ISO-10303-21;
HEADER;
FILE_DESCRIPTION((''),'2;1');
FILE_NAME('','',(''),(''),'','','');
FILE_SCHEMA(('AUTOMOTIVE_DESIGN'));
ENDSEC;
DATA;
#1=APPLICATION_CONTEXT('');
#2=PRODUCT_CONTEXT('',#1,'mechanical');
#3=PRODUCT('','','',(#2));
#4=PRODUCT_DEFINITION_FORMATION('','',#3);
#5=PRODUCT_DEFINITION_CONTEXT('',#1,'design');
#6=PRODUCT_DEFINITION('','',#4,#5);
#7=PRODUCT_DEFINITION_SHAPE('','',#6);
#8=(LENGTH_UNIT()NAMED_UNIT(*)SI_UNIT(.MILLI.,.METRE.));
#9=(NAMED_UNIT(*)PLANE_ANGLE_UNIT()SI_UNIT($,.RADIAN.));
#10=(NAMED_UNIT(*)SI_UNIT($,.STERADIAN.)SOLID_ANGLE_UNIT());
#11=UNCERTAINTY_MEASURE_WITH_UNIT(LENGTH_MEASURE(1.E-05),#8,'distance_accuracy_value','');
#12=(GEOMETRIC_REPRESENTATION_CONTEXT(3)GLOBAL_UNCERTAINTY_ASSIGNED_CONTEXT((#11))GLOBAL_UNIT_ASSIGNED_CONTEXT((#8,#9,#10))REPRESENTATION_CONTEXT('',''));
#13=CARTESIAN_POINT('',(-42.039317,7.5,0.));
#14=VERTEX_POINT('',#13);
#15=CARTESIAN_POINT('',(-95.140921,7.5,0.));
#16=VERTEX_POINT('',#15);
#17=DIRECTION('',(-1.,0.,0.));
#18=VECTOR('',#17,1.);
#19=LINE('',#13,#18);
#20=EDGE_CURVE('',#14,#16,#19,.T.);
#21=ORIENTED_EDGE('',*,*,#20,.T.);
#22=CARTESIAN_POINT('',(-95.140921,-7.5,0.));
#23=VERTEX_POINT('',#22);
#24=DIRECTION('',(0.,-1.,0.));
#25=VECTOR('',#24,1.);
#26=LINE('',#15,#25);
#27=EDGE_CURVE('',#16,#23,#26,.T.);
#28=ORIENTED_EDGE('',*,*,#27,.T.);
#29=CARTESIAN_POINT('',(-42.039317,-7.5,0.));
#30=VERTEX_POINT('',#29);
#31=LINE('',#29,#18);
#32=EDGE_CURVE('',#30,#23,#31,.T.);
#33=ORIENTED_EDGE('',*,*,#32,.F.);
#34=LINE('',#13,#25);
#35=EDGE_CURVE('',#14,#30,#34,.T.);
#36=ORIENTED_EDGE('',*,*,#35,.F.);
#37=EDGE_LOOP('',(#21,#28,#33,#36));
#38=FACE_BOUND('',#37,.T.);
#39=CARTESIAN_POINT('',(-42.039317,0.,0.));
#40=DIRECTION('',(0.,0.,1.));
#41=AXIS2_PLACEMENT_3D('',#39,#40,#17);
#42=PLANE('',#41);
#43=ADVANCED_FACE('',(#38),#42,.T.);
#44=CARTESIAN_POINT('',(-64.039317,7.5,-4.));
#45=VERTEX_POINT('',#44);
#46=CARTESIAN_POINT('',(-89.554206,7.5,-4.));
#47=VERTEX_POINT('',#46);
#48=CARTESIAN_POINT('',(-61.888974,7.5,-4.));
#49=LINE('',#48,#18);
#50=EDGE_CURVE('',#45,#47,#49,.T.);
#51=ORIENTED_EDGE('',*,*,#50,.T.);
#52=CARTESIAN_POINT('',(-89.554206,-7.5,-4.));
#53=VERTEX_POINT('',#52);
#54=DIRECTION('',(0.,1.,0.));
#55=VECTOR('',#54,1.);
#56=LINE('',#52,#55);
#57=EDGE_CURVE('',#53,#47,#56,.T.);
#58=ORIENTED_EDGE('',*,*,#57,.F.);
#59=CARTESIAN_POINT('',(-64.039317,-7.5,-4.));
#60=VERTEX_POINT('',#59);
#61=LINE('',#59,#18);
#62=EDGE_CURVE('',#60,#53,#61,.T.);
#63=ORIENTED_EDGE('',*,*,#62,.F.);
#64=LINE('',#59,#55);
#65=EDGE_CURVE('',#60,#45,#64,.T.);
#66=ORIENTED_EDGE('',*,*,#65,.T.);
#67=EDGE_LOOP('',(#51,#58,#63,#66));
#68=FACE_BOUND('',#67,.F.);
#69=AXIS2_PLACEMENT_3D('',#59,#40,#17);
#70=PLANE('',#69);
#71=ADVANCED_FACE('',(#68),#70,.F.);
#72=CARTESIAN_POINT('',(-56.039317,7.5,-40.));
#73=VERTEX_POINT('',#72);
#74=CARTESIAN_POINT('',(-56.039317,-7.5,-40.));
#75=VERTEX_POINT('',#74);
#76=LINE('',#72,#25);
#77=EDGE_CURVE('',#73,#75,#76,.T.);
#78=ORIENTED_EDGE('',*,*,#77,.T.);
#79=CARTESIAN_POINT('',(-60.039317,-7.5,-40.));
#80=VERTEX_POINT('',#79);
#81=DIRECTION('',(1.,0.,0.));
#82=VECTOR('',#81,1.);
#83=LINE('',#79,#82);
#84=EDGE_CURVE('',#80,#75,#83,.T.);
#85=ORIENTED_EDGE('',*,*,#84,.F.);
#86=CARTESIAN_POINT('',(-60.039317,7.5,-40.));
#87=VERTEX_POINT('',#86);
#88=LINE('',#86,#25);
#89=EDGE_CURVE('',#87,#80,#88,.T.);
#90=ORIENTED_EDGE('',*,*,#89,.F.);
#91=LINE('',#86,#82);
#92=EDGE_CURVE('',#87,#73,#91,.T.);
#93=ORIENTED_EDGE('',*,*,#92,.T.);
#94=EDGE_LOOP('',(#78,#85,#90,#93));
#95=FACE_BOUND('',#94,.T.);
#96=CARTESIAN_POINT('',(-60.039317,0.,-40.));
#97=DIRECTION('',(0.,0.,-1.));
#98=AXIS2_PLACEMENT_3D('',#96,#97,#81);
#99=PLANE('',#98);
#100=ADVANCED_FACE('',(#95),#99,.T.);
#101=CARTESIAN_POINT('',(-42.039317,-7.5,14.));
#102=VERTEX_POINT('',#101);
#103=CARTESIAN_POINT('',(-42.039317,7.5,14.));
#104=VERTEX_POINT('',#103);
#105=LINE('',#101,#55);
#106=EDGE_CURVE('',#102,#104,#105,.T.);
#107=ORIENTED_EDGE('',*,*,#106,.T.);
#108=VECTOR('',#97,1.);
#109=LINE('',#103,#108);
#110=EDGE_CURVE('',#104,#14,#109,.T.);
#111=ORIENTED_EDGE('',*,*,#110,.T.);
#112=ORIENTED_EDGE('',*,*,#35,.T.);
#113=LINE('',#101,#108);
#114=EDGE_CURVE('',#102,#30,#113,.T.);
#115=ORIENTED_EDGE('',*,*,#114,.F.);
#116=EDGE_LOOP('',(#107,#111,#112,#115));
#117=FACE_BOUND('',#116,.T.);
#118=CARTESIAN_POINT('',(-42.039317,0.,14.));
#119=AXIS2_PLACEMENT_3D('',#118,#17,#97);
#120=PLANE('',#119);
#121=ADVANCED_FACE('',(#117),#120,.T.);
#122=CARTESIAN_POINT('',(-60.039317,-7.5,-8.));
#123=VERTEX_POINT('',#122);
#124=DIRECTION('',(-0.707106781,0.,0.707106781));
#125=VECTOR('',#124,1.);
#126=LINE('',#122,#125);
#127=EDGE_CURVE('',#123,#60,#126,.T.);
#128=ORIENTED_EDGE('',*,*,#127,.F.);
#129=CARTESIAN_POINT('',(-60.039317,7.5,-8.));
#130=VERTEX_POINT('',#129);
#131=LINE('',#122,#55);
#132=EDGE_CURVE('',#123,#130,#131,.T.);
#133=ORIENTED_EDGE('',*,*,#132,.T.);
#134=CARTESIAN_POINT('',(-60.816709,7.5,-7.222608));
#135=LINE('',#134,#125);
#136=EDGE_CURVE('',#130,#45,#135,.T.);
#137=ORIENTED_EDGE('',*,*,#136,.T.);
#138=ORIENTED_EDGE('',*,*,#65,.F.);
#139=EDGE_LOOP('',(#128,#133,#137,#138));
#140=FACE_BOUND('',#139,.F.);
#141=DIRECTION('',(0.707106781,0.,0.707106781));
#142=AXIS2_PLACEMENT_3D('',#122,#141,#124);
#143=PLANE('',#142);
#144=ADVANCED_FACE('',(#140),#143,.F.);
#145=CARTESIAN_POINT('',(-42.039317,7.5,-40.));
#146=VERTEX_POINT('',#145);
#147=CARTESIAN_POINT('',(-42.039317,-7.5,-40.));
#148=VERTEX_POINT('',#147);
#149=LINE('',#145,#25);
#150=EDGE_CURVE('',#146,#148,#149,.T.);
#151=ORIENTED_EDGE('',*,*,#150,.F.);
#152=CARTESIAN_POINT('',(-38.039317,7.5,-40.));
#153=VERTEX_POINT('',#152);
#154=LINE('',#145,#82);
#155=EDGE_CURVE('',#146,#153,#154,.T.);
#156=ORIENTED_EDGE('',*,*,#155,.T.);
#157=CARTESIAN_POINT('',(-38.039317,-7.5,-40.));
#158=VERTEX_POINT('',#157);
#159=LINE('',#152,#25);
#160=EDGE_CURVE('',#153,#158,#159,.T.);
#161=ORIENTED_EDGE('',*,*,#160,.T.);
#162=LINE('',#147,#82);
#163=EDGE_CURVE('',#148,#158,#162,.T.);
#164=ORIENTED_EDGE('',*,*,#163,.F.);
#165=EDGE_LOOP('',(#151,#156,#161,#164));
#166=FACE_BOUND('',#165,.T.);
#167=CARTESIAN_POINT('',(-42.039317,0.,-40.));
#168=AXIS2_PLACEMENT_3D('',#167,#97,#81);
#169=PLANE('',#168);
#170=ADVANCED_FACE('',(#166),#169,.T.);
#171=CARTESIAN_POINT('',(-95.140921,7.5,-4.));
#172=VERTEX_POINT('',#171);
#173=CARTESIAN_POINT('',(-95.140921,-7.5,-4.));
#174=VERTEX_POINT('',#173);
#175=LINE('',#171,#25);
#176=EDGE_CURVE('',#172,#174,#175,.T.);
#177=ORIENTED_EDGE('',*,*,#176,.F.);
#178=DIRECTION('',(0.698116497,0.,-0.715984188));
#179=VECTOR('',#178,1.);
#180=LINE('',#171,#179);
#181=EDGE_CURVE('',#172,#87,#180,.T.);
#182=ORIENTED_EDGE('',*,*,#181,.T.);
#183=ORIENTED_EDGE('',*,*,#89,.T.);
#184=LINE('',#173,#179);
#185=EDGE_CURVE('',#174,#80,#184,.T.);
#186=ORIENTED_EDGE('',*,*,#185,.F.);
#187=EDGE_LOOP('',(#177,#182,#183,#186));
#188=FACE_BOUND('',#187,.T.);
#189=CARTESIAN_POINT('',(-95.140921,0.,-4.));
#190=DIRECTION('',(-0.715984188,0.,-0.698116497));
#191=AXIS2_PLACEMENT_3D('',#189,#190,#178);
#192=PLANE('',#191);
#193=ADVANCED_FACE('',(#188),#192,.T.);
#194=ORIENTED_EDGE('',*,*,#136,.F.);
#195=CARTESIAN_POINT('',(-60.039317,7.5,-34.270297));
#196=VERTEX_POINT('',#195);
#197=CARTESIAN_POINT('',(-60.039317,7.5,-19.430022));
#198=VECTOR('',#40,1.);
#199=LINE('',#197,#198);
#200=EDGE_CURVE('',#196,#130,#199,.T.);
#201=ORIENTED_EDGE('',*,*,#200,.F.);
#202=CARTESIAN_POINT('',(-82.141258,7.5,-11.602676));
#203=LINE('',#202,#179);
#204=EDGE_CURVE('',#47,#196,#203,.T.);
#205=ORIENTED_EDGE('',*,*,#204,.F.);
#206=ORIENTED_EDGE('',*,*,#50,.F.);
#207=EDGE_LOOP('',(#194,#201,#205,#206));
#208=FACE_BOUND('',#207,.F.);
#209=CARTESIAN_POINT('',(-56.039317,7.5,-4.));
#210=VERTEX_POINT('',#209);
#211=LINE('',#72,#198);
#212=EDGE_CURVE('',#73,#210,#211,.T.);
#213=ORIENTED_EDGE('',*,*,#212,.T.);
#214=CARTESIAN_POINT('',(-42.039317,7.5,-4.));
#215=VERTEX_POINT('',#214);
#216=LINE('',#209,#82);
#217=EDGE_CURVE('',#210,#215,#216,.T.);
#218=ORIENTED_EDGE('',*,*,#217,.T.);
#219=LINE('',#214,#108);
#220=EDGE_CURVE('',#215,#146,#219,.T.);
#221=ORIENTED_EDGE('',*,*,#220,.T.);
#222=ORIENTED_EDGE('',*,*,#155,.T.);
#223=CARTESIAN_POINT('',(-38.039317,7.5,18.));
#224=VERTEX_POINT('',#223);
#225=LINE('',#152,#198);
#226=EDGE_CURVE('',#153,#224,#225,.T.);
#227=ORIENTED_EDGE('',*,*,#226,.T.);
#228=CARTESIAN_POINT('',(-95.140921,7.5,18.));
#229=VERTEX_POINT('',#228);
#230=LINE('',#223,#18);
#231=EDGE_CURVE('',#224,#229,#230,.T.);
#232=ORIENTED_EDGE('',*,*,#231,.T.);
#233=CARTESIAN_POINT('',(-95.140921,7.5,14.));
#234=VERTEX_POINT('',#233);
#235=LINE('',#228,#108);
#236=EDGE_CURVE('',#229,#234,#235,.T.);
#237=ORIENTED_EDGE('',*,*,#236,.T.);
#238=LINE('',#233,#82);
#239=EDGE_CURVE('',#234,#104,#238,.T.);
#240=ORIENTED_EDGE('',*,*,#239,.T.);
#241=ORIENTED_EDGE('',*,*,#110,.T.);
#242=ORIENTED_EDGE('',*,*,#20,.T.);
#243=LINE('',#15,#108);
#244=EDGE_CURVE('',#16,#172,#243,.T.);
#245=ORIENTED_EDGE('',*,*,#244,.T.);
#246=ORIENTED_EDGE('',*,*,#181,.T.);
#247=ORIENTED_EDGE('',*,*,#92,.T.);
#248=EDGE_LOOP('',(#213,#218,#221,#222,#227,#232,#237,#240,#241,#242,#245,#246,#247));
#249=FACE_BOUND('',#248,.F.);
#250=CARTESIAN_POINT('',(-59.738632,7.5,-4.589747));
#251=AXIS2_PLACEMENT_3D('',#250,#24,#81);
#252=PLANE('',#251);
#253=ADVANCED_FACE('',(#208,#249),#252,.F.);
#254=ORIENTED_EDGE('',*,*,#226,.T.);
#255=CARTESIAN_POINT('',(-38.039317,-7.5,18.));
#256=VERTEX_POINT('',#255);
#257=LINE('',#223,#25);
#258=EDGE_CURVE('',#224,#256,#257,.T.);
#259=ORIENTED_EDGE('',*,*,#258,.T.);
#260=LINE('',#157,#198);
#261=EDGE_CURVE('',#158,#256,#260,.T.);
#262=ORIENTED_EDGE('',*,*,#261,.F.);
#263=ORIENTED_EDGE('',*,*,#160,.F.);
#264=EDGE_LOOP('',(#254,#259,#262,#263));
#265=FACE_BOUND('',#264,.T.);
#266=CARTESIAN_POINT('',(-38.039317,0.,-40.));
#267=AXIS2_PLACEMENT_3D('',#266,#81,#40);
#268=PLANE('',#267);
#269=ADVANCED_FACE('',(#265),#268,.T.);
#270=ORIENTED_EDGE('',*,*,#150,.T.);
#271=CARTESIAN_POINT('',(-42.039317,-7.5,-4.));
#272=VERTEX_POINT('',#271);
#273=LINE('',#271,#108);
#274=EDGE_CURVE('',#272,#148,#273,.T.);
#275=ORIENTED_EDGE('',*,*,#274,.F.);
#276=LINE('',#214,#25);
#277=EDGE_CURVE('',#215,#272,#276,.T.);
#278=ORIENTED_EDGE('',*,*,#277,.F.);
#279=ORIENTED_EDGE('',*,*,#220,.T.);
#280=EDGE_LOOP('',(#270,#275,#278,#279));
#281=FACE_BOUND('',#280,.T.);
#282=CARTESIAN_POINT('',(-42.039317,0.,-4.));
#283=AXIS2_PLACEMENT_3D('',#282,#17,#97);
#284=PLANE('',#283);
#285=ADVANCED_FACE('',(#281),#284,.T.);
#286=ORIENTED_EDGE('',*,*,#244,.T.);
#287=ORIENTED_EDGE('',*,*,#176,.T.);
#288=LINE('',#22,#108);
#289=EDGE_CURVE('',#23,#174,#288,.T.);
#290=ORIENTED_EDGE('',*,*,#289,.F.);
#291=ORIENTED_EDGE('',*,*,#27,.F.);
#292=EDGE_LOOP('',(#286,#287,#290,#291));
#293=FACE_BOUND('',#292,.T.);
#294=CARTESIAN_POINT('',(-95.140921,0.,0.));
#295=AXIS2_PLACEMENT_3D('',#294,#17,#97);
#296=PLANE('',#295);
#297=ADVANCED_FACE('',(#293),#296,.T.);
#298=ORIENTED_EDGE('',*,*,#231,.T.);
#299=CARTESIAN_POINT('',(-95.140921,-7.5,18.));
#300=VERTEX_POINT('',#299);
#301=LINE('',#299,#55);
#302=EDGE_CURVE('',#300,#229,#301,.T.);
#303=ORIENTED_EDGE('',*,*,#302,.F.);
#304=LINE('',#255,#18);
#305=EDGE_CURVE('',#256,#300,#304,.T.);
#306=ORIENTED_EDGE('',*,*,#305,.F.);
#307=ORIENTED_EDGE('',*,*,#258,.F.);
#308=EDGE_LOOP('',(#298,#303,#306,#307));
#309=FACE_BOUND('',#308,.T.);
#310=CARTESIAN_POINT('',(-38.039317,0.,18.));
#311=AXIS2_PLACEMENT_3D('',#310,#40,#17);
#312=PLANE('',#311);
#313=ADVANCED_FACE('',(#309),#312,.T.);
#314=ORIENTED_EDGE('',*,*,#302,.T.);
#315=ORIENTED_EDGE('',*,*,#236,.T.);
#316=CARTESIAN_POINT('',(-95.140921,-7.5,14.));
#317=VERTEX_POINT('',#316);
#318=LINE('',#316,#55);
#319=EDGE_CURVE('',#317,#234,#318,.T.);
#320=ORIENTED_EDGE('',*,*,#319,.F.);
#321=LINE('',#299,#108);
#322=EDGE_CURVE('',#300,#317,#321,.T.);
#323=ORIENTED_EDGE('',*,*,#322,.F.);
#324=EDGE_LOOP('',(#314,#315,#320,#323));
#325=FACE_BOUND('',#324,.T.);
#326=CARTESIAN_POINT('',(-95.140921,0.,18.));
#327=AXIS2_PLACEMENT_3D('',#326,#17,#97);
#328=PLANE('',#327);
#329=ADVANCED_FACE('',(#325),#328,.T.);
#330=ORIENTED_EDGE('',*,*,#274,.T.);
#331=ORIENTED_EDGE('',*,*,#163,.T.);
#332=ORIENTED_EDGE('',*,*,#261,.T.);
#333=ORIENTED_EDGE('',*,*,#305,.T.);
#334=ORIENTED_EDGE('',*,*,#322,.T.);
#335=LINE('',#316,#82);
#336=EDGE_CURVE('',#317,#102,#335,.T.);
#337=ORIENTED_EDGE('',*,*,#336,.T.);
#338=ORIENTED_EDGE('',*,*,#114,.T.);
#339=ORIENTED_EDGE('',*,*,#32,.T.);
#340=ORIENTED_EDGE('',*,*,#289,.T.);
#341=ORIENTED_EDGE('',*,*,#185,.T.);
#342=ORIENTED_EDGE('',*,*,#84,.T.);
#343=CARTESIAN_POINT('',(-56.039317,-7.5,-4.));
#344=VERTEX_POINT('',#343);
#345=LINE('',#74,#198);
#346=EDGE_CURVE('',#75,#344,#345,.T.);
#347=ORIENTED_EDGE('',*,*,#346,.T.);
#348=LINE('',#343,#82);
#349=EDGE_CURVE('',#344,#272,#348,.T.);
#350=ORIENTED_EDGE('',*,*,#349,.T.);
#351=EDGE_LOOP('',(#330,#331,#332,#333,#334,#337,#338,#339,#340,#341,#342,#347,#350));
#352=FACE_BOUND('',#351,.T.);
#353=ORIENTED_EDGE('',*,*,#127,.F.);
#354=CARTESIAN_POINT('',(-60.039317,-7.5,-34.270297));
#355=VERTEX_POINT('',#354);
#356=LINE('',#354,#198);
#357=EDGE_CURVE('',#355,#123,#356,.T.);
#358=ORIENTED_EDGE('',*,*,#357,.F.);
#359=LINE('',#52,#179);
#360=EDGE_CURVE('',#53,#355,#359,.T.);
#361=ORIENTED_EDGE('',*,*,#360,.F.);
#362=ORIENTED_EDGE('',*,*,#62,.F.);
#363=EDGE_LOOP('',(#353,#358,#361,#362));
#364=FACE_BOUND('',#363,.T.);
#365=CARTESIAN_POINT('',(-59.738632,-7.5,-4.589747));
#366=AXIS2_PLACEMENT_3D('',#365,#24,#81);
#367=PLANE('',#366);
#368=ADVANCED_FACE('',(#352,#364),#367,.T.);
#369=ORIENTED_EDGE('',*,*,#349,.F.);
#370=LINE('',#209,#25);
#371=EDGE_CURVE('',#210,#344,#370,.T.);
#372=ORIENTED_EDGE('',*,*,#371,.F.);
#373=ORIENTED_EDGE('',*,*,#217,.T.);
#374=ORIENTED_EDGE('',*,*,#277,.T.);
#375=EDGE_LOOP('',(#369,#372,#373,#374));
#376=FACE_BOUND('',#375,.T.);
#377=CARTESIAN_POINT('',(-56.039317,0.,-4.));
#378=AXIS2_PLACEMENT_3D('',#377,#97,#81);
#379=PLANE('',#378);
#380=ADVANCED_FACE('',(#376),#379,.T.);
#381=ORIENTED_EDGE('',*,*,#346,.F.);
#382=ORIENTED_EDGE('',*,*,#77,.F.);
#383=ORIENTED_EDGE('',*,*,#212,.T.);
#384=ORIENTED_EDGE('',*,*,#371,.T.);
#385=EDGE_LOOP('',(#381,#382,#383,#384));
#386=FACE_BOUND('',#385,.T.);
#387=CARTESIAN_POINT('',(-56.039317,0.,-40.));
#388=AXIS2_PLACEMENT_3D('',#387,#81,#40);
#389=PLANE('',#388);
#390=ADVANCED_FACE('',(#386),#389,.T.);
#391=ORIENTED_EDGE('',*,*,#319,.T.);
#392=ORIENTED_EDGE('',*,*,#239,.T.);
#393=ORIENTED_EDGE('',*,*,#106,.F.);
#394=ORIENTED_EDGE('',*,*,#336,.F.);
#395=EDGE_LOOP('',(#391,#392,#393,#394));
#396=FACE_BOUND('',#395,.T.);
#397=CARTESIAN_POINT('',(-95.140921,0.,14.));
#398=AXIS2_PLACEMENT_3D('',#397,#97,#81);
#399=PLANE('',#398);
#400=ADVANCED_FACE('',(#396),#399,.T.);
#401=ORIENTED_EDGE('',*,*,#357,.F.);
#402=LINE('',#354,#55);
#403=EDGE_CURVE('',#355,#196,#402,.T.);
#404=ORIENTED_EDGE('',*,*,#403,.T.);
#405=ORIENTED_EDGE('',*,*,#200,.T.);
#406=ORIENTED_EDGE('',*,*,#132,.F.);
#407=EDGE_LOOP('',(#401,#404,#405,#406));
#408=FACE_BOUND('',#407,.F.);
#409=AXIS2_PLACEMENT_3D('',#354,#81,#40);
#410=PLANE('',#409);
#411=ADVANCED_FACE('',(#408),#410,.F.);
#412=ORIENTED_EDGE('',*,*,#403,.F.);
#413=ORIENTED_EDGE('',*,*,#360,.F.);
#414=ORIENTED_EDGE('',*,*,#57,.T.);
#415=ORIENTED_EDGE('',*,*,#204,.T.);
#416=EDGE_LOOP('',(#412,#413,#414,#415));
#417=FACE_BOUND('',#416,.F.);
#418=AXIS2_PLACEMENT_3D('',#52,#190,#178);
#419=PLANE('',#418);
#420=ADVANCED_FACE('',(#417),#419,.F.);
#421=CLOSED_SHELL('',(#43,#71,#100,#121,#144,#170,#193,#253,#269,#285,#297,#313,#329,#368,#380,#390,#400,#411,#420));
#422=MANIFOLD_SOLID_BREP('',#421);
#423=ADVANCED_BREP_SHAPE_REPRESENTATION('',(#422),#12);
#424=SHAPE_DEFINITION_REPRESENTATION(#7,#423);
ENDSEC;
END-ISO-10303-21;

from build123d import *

# Parameters (mm, degrees)
F1_DEPTH = 7.5
F3_DEPTH = 15.001


with BuildPart() as f1:
    # F0 (on Front) → F1 (new body, symmetric)
    with BuildSketch(Plane.XZ):
        Polygon((-42.039316762, 14), (-42.039316762, 0), (-95.1409214032, 0), (-95.1409214032, -4), (-60.039316762, -40), (-56.039316762, -40), (-56.039316762, -4), (-42.039316762, -4), (-42.039316762, -40), (-38.039316762, -40), (-38.039316762, 18), (-42.039316762, 18), (-95.1409214032, 18), (-95.1409214032, 14), align=None)
    extrude(amount=F1_DEPTH, both=True)

    # F2 (on face) + F1_face1 (on face) → F3 (cut, through all)
    with BuildSketch(Plane.XZ.offset(7.5)):
        Polygon((-60.039316762, -8), (-64.039316762, -4), (-89.5542058456, -4), (-60.039316762, -34.2702972663), align=None)
    with BuildSketch(Plane(origin=(-64.2952492788, 7.5, -8.9733337312), x_dir=(1, 0, 0), z_dir=(0, 1, 0))):
        Polygon((22.2559325167, -8.9733337312), (22.2559325167, -22.9733337312), (-30.8456721244, -22.9733337312), (-30.8456721244, -26.9733337312), (26.2559325167, -26.9733337312), (26.2559325167, 31.0266662688), (22.2559325167, 31.0266662688), (22.2559325167, -4.9733337312), (8.2559325167, -4.9733337312), (8.2559325167, 31.0266662688), (4.2559325167, 31.0266662688), (-30.8456721244, -4.9733337312), (-30.8456721244, -8.9733337312), align=None)
    extrude(amount=-F3_DEPTH, dir=(0, -1, 0), mode=Mode.SUBTRACT)


solid = f1.part
